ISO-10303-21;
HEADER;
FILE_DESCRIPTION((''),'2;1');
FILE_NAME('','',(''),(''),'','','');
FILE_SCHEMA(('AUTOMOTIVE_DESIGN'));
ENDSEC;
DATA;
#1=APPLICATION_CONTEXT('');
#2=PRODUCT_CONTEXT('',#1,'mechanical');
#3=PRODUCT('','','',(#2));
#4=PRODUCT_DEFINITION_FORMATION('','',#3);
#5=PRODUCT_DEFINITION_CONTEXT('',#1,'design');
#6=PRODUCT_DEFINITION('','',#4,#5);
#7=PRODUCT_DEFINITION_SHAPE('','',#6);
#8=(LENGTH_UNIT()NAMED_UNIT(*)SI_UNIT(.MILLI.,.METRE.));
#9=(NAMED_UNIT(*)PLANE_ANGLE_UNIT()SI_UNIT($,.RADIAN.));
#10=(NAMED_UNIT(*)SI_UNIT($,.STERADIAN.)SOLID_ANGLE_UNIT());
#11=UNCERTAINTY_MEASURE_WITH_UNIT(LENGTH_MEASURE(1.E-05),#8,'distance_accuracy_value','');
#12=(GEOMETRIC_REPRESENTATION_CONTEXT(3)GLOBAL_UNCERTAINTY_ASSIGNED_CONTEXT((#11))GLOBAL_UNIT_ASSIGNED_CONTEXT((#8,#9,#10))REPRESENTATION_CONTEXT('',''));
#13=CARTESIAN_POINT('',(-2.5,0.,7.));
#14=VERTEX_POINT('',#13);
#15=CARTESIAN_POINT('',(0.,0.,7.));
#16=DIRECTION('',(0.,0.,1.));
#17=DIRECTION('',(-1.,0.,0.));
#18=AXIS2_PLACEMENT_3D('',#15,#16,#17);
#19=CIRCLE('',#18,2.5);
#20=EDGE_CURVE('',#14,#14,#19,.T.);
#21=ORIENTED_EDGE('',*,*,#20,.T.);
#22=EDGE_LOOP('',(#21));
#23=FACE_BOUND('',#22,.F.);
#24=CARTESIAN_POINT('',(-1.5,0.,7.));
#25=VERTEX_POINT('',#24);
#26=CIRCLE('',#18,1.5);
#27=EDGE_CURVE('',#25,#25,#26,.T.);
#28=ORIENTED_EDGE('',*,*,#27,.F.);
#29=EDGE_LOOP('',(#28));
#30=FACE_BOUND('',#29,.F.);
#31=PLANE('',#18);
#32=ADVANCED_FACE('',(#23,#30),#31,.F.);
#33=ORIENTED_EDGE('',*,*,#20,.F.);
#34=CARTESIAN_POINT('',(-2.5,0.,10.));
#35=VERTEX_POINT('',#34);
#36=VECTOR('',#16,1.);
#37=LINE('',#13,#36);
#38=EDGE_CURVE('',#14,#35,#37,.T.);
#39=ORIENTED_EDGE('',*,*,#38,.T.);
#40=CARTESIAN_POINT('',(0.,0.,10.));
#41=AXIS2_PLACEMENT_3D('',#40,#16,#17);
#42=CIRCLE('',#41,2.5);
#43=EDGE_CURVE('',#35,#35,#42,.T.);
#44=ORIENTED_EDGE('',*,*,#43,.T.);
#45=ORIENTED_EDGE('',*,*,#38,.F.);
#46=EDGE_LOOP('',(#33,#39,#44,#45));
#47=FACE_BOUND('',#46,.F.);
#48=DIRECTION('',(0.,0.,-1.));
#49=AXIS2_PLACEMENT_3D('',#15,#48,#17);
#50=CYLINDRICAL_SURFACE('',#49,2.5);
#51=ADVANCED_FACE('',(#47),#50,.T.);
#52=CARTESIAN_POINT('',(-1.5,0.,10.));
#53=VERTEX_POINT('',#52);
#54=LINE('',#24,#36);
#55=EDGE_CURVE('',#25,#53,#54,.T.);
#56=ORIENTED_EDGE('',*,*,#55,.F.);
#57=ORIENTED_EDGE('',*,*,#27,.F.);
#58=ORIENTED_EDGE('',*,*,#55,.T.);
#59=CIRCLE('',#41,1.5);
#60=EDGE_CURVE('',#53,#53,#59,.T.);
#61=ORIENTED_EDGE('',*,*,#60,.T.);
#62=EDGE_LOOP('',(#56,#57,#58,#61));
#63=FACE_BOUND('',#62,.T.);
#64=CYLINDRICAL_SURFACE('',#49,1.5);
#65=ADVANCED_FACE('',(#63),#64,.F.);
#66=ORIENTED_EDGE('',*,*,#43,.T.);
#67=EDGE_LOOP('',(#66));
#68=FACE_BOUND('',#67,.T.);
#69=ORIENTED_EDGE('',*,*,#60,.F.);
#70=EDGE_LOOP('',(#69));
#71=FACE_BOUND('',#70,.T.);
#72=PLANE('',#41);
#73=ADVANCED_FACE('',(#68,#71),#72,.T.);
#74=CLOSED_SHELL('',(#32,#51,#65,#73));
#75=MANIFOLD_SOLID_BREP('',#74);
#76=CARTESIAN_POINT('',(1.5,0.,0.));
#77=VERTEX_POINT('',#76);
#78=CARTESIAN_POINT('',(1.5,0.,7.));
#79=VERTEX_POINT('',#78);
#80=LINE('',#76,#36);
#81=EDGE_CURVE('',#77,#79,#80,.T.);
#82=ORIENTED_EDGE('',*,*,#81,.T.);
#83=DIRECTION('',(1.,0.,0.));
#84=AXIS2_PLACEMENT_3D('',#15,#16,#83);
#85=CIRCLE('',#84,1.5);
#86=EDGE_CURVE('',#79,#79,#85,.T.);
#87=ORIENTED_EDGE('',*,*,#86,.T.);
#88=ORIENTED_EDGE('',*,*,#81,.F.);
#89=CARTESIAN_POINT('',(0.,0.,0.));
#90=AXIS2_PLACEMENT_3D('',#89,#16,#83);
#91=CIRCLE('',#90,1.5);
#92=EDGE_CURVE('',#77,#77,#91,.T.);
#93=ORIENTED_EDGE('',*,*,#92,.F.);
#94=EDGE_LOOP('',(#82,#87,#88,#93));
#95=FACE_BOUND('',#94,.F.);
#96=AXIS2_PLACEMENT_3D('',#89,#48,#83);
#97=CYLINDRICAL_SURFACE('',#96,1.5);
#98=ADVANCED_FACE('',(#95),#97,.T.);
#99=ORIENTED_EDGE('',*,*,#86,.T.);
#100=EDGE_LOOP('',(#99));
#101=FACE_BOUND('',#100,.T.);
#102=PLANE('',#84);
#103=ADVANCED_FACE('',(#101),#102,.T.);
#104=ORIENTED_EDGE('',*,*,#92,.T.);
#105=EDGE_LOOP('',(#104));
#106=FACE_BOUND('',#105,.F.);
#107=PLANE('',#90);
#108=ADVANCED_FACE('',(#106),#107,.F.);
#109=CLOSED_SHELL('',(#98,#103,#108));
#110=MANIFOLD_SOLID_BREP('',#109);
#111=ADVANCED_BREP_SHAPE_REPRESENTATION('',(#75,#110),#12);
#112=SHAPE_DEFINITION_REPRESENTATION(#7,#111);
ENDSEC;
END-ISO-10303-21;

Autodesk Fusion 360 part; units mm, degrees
sketch "Boceto1" plane through (0, 0, 0) normal (0, 0, 1) x (1, 0, 0)
  circle A0 centre (0, 0) radius 1.5
  dimension "d1" = 3
extrude "Extruir1" add sketch "Boceto1" along normal blind 7 makes body 1
sketch "Boceto2" plane through (0, 0, 7) normal (0, 0, 1) x (-1, 0, 0)
  circle A0 centre (0, 0) radius 1.5
  circle A1 centre (0, 0) radius 2.5
  dimension "d4" = 5
extrude "Extruir2" add sketch "Boceto2" along normal blind 3 separate body makes body 2
